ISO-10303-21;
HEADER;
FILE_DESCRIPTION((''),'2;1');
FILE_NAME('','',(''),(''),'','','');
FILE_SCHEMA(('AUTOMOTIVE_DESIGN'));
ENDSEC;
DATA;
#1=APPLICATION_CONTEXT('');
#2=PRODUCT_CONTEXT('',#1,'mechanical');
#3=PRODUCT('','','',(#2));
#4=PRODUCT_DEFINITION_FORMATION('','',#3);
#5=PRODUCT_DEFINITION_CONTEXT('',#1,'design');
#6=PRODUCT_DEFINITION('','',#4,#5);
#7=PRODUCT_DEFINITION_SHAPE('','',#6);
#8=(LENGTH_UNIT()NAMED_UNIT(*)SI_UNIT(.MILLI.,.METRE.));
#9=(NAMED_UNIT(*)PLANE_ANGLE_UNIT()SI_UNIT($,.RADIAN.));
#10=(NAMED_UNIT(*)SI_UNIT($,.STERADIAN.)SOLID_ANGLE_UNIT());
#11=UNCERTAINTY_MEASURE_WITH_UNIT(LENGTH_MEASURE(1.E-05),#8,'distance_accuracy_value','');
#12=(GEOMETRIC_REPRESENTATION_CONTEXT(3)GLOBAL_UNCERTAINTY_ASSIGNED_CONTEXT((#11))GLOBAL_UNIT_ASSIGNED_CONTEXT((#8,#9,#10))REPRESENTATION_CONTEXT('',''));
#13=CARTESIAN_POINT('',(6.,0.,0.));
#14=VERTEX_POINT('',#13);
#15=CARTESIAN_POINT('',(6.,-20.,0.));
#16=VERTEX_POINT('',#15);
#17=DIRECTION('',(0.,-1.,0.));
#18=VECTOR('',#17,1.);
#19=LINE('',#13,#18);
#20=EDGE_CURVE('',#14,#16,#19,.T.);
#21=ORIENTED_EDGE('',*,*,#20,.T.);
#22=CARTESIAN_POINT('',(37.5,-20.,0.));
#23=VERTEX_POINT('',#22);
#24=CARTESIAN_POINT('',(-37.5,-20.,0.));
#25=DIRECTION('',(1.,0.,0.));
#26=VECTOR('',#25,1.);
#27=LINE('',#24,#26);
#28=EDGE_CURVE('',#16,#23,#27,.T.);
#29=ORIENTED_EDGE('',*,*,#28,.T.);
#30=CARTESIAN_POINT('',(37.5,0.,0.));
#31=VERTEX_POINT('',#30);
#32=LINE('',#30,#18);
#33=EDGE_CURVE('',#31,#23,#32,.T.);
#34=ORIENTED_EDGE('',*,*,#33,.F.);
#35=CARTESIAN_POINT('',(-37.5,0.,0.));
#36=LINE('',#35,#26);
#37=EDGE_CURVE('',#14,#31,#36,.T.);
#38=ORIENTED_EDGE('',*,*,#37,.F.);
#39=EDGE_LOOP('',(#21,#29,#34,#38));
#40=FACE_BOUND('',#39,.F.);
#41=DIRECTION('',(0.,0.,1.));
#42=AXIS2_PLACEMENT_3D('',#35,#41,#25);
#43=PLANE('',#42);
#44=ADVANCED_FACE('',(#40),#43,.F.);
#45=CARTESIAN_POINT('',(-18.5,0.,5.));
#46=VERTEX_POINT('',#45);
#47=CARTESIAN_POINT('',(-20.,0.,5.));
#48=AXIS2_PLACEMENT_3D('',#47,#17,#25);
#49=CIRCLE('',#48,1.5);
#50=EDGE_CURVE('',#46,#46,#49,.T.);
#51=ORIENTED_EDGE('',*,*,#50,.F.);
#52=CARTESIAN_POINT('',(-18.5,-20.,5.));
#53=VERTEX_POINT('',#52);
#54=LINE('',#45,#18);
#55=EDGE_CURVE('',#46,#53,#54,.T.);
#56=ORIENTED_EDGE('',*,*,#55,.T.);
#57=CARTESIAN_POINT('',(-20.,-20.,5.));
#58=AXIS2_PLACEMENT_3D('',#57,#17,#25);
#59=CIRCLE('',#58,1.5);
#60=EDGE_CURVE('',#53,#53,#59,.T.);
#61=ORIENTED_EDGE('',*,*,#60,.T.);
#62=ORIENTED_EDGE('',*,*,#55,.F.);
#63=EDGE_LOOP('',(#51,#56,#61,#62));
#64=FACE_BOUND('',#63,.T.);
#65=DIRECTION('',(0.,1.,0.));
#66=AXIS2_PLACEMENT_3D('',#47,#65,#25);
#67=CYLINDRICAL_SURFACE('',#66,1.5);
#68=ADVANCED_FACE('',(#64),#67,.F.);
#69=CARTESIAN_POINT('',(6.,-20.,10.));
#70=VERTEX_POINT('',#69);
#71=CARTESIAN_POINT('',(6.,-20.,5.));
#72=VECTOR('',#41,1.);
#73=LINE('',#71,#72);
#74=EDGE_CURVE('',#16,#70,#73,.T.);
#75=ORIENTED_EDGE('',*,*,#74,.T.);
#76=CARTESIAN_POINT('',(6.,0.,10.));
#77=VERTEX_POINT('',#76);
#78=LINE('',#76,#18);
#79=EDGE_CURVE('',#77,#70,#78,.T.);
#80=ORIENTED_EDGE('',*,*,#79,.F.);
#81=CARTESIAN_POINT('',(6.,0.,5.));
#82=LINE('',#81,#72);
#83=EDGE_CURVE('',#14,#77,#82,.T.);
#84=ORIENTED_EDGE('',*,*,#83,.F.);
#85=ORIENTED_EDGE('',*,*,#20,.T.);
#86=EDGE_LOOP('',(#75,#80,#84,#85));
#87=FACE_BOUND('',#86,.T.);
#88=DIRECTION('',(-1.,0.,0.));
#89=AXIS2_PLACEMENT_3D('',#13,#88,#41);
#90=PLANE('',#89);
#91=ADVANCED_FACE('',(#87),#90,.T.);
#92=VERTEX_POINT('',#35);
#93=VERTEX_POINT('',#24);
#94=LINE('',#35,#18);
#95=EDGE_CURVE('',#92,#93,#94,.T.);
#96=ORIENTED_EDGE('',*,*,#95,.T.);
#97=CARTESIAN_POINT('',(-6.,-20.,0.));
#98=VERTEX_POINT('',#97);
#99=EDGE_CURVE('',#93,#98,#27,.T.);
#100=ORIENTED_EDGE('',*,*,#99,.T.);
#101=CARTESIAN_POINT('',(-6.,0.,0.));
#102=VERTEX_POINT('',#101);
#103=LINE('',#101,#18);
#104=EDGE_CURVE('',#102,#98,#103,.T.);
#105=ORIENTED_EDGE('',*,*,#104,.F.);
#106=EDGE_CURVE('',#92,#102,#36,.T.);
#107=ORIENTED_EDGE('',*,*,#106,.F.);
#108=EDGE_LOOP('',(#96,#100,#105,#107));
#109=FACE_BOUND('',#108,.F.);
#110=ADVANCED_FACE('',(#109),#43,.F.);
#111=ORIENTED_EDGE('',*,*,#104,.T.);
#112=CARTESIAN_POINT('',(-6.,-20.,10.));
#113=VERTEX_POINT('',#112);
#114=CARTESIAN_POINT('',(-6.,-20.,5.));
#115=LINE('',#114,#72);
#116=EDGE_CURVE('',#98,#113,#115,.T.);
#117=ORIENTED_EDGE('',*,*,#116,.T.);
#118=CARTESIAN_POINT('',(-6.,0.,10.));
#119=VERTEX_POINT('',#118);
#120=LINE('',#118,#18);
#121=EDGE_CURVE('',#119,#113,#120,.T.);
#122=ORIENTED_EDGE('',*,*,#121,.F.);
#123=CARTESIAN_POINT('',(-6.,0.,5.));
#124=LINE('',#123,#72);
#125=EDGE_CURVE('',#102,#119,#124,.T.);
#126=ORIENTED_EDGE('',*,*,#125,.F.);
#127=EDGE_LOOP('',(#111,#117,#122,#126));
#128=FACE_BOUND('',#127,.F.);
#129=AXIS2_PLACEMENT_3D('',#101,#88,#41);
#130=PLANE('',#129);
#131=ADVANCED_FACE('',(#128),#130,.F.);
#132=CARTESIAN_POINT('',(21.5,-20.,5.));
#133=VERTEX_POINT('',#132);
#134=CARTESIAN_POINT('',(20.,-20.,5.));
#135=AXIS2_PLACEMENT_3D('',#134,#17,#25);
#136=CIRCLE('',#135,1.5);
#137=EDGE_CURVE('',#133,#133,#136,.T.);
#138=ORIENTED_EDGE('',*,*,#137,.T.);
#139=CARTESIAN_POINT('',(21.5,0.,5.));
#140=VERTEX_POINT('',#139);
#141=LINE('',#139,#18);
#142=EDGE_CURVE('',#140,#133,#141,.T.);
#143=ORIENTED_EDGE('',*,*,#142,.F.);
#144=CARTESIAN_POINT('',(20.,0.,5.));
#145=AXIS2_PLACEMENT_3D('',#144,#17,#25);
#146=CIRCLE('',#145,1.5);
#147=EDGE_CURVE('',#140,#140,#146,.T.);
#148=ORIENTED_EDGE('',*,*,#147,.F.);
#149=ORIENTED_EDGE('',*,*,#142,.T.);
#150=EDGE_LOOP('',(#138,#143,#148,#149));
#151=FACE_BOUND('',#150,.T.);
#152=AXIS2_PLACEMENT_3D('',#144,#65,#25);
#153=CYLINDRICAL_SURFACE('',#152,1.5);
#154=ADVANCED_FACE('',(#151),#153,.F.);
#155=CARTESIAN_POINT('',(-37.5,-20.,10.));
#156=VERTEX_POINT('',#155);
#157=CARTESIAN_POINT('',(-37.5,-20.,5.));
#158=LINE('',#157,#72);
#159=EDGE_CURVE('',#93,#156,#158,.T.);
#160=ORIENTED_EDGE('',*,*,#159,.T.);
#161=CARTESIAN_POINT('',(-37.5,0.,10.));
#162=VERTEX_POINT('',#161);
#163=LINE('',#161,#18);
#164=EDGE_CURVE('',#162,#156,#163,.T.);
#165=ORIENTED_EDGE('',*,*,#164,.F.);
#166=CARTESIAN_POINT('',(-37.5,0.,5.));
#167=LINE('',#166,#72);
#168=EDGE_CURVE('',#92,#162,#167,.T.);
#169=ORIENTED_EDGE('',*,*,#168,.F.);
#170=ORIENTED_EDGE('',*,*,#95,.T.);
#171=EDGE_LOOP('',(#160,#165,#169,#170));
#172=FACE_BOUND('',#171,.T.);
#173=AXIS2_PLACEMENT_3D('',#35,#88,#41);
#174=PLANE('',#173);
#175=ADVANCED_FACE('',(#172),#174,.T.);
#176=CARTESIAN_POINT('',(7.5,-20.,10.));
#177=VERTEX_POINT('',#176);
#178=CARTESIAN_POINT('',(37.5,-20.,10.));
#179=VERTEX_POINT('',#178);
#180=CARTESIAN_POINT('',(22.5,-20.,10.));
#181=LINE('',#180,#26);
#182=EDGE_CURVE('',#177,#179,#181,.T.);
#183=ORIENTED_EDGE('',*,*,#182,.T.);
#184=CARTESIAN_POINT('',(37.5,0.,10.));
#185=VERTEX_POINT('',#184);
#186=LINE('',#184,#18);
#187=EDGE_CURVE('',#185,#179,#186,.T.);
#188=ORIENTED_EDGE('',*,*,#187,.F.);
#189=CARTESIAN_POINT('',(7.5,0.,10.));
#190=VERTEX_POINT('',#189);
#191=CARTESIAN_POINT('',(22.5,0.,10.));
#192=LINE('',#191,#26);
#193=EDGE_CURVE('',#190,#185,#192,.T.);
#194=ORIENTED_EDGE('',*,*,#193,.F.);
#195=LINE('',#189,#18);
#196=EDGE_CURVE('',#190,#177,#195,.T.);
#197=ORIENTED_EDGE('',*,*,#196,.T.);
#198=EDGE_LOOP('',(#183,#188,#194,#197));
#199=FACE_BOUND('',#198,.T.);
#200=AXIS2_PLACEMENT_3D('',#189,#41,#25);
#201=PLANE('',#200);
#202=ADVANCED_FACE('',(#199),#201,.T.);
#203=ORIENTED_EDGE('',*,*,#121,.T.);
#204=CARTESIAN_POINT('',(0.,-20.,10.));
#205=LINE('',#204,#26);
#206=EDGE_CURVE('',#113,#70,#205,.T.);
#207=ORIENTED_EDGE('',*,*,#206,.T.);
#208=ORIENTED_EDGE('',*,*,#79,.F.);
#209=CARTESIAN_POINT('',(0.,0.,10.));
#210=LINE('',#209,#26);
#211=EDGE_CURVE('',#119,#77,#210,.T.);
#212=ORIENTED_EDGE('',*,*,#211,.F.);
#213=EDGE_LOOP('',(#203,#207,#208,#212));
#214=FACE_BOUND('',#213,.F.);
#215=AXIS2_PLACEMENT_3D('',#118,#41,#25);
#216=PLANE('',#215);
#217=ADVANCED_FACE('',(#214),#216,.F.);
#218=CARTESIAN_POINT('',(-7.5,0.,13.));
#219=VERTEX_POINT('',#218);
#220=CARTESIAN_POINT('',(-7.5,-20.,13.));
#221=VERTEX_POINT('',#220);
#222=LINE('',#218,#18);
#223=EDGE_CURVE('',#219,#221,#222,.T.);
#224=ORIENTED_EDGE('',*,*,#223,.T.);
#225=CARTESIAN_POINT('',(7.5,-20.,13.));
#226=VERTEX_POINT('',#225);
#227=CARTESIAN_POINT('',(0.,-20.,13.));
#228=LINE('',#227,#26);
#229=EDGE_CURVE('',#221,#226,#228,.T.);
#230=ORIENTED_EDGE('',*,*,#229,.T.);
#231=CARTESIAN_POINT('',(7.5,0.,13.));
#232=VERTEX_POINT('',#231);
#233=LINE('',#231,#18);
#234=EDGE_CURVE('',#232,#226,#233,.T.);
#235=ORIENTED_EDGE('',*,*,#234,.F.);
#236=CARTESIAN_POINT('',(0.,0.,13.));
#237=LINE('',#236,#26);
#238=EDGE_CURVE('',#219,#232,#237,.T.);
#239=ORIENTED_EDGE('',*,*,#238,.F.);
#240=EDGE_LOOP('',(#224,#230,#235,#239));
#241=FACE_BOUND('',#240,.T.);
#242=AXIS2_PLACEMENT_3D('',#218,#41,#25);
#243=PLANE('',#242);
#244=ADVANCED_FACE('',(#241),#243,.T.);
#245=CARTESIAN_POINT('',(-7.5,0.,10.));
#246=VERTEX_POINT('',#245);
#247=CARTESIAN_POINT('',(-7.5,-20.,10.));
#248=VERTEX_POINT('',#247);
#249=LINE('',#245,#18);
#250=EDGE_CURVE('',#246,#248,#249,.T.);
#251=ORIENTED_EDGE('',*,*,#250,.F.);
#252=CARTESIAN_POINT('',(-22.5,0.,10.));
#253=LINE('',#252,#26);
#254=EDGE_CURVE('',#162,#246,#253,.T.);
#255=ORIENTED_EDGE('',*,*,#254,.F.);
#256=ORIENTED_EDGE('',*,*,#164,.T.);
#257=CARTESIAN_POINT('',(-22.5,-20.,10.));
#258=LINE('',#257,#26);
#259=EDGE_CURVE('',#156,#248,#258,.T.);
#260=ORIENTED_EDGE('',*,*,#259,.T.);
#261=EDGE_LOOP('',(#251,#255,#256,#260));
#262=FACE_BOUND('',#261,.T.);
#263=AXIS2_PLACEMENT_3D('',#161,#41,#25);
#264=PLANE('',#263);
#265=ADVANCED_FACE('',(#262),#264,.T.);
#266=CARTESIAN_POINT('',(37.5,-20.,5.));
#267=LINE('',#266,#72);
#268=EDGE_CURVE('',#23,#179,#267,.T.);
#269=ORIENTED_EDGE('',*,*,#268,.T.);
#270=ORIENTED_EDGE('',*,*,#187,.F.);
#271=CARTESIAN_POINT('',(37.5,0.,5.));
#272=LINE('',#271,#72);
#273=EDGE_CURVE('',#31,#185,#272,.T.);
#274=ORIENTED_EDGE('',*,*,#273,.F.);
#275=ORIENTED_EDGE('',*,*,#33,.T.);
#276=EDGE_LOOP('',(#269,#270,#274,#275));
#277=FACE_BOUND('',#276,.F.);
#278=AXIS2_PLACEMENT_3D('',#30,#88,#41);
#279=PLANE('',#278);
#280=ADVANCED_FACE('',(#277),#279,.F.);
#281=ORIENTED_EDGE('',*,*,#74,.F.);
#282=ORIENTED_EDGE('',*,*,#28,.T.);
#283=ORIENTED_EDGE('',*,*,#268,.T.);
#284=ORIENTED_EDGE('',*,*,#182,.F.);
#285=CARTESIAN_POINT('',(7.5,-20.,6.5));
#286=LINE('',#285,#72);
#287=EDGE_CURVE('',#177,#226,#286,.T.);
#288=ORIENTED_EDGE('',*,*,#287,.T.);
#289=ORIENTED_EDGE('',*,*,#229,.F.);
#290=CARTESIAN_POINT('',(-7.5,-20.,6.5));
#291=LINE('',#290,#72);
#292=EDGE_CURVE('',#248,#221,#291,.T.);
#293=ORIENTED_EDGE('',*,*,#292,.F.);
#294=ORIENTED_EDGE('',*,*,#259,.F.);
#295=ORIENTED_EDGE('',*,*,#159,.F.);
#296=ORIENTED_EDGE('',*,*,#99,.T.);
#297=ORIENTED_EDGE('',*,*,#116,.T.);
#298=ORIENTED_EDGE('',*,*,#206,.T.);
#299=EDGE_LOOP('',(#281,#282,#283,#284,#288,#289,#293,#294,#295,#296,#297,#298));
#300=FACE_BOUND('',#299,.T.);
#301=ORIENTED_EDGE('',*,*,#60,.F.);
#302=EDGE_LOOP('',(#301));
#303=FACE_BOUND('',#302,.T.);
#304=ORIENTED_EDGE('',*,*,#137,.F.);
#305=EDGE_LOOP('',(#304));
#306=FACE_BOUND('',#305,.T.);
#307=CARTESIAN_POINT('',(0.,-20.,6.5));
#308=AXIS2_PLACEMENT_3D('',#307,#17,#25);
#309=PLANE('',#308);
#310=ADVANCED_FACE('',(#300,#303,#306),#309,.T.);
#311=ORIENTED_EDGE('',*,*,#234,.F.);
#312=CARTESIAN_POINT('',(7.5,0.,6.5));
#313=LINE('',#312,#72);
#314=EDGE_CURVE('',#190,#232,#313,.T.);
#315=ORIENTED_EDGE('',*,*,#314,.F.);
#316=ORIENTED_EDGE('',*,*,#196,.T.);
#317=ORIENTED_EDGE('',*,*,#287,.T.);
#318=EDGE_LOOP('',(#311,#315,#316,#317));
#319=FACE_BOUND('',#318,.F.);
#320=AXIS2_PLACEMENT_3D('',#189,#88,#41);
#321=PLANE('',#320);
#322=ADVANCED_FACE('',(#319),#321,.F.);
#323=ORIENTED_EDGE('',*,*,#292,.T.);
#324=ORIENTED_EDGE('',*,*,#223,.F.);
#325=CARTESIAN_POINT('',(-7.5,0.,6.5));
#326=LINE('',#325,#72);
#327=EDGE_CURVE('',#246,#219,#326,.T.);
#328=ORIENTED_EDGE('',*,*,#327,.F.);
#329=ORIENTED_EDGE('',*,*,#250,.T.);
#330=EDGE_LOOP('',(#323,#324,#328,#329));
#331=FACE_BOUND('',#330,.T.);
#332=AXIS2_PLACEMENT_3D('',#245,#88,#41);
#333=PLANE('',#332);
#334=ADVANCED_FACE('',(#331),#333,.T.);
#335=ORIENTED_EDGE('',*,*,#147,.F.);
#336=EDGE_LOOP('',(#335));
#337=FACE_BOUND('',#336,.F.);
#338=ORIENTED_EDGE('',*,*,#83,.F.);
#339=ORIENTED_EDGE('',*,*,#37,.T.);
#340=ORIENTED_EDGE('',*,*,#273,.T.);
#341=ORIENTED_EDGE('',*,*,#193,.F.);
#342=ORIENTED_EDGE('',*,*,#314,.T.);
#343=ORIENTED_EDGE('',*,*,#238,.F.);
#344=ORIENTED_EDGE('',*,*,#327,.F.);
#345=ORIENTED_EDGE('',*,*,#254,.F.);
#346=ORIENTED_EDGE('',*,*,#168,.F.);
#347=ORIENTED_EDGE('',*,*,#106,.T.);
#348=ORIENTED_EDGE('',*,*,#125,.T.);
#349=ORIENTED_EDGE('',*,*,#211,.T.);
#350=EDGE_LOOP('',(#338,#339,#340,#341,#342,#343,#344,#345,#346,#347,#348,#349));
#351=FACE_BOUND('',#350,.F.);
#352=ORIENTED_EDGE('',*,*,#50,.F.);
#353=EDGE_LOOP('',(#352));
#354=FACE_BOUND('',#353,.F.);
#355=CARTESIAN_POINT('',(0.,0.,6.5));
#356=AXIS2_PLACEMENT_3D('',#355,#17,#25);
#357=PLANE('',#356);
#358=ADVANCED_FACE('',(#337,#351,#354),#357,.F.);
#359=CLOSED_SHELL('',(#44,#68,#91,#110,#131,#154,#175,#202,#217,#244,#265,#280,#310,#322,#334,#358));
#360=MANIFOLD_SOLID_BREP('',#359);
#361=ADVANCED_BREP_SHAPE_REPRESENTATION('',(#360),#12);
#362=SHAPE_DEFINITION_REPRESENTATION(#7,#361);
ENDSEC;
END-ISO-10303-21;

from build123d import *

# Parameters (mm, degrees)
SKETCH003_R  = 1.5
PAD003_DEPTH = 20
SKETCH002_R  = 1.5
PAD002_DEPTH = 20
SKETCH001_W  = 12
SKETCH001_H  = 10
PAD001_DEPTH = 20
SKETCH_W     = 15
SKETCH_H     = 13
SKETCH_W_2   = 30
SKETCH_H_2   = 10
PAD_DEPTH    = 20


with BuildPart() as body003:
    # Sketch003 → Pad003 (new body)
    with BuildSketch(Plane.XZ):
        with Locations((20, 5)):
            Circle(SKETCH003_R)
    extrude(amount=PAD003_DEPTH)


with BuildPart() as body002:
    # Sketch002 → Pad002 (new body)
    with BuildSketch(Plane.XZ):
        with Locations((-20, 5)):
            Circle(SKETCH002_R)
    extrude(amount=PAD002_DEPTH)


with BuildPart() as body001:
    # Sketch001 → Pad001 (new body)
    with BuildSketch(Plane.XZ):
        with Locations((0, 5)):
            Rectangle(SKETCH001_W, SKETCH001_H)
    extrude(amount=PAD001_DEPTH)


with BuildPart() as cut002:
    # Sketch → Pad (new body)
    with BuildSketch(Plane.XZ):
        with Locations((0, 6.5)):
            Rectangle(SKETCH_W, SKETCH_H)
        with Locations((-22.5, 5)):
            Rectangle(SKETCH_W_2, SKETCH_H_2)
        with Locations((22.5, 5)):
            Rectangle(SKETCH_W_2, SKETCH_H_2)
    extrude(amount=PAD_DEPTH)

    # Cut: cut Body001
    add(body001.part, mode=Mode.SUBTRACT)

    # Cut001: cut Body002
    add(body002.part, mode=Mode.SUBTRACT)

    # Cut002: cut Body003
    add(body003.part, mode=Mode.SUBTRACT)


solid = cut002.part
